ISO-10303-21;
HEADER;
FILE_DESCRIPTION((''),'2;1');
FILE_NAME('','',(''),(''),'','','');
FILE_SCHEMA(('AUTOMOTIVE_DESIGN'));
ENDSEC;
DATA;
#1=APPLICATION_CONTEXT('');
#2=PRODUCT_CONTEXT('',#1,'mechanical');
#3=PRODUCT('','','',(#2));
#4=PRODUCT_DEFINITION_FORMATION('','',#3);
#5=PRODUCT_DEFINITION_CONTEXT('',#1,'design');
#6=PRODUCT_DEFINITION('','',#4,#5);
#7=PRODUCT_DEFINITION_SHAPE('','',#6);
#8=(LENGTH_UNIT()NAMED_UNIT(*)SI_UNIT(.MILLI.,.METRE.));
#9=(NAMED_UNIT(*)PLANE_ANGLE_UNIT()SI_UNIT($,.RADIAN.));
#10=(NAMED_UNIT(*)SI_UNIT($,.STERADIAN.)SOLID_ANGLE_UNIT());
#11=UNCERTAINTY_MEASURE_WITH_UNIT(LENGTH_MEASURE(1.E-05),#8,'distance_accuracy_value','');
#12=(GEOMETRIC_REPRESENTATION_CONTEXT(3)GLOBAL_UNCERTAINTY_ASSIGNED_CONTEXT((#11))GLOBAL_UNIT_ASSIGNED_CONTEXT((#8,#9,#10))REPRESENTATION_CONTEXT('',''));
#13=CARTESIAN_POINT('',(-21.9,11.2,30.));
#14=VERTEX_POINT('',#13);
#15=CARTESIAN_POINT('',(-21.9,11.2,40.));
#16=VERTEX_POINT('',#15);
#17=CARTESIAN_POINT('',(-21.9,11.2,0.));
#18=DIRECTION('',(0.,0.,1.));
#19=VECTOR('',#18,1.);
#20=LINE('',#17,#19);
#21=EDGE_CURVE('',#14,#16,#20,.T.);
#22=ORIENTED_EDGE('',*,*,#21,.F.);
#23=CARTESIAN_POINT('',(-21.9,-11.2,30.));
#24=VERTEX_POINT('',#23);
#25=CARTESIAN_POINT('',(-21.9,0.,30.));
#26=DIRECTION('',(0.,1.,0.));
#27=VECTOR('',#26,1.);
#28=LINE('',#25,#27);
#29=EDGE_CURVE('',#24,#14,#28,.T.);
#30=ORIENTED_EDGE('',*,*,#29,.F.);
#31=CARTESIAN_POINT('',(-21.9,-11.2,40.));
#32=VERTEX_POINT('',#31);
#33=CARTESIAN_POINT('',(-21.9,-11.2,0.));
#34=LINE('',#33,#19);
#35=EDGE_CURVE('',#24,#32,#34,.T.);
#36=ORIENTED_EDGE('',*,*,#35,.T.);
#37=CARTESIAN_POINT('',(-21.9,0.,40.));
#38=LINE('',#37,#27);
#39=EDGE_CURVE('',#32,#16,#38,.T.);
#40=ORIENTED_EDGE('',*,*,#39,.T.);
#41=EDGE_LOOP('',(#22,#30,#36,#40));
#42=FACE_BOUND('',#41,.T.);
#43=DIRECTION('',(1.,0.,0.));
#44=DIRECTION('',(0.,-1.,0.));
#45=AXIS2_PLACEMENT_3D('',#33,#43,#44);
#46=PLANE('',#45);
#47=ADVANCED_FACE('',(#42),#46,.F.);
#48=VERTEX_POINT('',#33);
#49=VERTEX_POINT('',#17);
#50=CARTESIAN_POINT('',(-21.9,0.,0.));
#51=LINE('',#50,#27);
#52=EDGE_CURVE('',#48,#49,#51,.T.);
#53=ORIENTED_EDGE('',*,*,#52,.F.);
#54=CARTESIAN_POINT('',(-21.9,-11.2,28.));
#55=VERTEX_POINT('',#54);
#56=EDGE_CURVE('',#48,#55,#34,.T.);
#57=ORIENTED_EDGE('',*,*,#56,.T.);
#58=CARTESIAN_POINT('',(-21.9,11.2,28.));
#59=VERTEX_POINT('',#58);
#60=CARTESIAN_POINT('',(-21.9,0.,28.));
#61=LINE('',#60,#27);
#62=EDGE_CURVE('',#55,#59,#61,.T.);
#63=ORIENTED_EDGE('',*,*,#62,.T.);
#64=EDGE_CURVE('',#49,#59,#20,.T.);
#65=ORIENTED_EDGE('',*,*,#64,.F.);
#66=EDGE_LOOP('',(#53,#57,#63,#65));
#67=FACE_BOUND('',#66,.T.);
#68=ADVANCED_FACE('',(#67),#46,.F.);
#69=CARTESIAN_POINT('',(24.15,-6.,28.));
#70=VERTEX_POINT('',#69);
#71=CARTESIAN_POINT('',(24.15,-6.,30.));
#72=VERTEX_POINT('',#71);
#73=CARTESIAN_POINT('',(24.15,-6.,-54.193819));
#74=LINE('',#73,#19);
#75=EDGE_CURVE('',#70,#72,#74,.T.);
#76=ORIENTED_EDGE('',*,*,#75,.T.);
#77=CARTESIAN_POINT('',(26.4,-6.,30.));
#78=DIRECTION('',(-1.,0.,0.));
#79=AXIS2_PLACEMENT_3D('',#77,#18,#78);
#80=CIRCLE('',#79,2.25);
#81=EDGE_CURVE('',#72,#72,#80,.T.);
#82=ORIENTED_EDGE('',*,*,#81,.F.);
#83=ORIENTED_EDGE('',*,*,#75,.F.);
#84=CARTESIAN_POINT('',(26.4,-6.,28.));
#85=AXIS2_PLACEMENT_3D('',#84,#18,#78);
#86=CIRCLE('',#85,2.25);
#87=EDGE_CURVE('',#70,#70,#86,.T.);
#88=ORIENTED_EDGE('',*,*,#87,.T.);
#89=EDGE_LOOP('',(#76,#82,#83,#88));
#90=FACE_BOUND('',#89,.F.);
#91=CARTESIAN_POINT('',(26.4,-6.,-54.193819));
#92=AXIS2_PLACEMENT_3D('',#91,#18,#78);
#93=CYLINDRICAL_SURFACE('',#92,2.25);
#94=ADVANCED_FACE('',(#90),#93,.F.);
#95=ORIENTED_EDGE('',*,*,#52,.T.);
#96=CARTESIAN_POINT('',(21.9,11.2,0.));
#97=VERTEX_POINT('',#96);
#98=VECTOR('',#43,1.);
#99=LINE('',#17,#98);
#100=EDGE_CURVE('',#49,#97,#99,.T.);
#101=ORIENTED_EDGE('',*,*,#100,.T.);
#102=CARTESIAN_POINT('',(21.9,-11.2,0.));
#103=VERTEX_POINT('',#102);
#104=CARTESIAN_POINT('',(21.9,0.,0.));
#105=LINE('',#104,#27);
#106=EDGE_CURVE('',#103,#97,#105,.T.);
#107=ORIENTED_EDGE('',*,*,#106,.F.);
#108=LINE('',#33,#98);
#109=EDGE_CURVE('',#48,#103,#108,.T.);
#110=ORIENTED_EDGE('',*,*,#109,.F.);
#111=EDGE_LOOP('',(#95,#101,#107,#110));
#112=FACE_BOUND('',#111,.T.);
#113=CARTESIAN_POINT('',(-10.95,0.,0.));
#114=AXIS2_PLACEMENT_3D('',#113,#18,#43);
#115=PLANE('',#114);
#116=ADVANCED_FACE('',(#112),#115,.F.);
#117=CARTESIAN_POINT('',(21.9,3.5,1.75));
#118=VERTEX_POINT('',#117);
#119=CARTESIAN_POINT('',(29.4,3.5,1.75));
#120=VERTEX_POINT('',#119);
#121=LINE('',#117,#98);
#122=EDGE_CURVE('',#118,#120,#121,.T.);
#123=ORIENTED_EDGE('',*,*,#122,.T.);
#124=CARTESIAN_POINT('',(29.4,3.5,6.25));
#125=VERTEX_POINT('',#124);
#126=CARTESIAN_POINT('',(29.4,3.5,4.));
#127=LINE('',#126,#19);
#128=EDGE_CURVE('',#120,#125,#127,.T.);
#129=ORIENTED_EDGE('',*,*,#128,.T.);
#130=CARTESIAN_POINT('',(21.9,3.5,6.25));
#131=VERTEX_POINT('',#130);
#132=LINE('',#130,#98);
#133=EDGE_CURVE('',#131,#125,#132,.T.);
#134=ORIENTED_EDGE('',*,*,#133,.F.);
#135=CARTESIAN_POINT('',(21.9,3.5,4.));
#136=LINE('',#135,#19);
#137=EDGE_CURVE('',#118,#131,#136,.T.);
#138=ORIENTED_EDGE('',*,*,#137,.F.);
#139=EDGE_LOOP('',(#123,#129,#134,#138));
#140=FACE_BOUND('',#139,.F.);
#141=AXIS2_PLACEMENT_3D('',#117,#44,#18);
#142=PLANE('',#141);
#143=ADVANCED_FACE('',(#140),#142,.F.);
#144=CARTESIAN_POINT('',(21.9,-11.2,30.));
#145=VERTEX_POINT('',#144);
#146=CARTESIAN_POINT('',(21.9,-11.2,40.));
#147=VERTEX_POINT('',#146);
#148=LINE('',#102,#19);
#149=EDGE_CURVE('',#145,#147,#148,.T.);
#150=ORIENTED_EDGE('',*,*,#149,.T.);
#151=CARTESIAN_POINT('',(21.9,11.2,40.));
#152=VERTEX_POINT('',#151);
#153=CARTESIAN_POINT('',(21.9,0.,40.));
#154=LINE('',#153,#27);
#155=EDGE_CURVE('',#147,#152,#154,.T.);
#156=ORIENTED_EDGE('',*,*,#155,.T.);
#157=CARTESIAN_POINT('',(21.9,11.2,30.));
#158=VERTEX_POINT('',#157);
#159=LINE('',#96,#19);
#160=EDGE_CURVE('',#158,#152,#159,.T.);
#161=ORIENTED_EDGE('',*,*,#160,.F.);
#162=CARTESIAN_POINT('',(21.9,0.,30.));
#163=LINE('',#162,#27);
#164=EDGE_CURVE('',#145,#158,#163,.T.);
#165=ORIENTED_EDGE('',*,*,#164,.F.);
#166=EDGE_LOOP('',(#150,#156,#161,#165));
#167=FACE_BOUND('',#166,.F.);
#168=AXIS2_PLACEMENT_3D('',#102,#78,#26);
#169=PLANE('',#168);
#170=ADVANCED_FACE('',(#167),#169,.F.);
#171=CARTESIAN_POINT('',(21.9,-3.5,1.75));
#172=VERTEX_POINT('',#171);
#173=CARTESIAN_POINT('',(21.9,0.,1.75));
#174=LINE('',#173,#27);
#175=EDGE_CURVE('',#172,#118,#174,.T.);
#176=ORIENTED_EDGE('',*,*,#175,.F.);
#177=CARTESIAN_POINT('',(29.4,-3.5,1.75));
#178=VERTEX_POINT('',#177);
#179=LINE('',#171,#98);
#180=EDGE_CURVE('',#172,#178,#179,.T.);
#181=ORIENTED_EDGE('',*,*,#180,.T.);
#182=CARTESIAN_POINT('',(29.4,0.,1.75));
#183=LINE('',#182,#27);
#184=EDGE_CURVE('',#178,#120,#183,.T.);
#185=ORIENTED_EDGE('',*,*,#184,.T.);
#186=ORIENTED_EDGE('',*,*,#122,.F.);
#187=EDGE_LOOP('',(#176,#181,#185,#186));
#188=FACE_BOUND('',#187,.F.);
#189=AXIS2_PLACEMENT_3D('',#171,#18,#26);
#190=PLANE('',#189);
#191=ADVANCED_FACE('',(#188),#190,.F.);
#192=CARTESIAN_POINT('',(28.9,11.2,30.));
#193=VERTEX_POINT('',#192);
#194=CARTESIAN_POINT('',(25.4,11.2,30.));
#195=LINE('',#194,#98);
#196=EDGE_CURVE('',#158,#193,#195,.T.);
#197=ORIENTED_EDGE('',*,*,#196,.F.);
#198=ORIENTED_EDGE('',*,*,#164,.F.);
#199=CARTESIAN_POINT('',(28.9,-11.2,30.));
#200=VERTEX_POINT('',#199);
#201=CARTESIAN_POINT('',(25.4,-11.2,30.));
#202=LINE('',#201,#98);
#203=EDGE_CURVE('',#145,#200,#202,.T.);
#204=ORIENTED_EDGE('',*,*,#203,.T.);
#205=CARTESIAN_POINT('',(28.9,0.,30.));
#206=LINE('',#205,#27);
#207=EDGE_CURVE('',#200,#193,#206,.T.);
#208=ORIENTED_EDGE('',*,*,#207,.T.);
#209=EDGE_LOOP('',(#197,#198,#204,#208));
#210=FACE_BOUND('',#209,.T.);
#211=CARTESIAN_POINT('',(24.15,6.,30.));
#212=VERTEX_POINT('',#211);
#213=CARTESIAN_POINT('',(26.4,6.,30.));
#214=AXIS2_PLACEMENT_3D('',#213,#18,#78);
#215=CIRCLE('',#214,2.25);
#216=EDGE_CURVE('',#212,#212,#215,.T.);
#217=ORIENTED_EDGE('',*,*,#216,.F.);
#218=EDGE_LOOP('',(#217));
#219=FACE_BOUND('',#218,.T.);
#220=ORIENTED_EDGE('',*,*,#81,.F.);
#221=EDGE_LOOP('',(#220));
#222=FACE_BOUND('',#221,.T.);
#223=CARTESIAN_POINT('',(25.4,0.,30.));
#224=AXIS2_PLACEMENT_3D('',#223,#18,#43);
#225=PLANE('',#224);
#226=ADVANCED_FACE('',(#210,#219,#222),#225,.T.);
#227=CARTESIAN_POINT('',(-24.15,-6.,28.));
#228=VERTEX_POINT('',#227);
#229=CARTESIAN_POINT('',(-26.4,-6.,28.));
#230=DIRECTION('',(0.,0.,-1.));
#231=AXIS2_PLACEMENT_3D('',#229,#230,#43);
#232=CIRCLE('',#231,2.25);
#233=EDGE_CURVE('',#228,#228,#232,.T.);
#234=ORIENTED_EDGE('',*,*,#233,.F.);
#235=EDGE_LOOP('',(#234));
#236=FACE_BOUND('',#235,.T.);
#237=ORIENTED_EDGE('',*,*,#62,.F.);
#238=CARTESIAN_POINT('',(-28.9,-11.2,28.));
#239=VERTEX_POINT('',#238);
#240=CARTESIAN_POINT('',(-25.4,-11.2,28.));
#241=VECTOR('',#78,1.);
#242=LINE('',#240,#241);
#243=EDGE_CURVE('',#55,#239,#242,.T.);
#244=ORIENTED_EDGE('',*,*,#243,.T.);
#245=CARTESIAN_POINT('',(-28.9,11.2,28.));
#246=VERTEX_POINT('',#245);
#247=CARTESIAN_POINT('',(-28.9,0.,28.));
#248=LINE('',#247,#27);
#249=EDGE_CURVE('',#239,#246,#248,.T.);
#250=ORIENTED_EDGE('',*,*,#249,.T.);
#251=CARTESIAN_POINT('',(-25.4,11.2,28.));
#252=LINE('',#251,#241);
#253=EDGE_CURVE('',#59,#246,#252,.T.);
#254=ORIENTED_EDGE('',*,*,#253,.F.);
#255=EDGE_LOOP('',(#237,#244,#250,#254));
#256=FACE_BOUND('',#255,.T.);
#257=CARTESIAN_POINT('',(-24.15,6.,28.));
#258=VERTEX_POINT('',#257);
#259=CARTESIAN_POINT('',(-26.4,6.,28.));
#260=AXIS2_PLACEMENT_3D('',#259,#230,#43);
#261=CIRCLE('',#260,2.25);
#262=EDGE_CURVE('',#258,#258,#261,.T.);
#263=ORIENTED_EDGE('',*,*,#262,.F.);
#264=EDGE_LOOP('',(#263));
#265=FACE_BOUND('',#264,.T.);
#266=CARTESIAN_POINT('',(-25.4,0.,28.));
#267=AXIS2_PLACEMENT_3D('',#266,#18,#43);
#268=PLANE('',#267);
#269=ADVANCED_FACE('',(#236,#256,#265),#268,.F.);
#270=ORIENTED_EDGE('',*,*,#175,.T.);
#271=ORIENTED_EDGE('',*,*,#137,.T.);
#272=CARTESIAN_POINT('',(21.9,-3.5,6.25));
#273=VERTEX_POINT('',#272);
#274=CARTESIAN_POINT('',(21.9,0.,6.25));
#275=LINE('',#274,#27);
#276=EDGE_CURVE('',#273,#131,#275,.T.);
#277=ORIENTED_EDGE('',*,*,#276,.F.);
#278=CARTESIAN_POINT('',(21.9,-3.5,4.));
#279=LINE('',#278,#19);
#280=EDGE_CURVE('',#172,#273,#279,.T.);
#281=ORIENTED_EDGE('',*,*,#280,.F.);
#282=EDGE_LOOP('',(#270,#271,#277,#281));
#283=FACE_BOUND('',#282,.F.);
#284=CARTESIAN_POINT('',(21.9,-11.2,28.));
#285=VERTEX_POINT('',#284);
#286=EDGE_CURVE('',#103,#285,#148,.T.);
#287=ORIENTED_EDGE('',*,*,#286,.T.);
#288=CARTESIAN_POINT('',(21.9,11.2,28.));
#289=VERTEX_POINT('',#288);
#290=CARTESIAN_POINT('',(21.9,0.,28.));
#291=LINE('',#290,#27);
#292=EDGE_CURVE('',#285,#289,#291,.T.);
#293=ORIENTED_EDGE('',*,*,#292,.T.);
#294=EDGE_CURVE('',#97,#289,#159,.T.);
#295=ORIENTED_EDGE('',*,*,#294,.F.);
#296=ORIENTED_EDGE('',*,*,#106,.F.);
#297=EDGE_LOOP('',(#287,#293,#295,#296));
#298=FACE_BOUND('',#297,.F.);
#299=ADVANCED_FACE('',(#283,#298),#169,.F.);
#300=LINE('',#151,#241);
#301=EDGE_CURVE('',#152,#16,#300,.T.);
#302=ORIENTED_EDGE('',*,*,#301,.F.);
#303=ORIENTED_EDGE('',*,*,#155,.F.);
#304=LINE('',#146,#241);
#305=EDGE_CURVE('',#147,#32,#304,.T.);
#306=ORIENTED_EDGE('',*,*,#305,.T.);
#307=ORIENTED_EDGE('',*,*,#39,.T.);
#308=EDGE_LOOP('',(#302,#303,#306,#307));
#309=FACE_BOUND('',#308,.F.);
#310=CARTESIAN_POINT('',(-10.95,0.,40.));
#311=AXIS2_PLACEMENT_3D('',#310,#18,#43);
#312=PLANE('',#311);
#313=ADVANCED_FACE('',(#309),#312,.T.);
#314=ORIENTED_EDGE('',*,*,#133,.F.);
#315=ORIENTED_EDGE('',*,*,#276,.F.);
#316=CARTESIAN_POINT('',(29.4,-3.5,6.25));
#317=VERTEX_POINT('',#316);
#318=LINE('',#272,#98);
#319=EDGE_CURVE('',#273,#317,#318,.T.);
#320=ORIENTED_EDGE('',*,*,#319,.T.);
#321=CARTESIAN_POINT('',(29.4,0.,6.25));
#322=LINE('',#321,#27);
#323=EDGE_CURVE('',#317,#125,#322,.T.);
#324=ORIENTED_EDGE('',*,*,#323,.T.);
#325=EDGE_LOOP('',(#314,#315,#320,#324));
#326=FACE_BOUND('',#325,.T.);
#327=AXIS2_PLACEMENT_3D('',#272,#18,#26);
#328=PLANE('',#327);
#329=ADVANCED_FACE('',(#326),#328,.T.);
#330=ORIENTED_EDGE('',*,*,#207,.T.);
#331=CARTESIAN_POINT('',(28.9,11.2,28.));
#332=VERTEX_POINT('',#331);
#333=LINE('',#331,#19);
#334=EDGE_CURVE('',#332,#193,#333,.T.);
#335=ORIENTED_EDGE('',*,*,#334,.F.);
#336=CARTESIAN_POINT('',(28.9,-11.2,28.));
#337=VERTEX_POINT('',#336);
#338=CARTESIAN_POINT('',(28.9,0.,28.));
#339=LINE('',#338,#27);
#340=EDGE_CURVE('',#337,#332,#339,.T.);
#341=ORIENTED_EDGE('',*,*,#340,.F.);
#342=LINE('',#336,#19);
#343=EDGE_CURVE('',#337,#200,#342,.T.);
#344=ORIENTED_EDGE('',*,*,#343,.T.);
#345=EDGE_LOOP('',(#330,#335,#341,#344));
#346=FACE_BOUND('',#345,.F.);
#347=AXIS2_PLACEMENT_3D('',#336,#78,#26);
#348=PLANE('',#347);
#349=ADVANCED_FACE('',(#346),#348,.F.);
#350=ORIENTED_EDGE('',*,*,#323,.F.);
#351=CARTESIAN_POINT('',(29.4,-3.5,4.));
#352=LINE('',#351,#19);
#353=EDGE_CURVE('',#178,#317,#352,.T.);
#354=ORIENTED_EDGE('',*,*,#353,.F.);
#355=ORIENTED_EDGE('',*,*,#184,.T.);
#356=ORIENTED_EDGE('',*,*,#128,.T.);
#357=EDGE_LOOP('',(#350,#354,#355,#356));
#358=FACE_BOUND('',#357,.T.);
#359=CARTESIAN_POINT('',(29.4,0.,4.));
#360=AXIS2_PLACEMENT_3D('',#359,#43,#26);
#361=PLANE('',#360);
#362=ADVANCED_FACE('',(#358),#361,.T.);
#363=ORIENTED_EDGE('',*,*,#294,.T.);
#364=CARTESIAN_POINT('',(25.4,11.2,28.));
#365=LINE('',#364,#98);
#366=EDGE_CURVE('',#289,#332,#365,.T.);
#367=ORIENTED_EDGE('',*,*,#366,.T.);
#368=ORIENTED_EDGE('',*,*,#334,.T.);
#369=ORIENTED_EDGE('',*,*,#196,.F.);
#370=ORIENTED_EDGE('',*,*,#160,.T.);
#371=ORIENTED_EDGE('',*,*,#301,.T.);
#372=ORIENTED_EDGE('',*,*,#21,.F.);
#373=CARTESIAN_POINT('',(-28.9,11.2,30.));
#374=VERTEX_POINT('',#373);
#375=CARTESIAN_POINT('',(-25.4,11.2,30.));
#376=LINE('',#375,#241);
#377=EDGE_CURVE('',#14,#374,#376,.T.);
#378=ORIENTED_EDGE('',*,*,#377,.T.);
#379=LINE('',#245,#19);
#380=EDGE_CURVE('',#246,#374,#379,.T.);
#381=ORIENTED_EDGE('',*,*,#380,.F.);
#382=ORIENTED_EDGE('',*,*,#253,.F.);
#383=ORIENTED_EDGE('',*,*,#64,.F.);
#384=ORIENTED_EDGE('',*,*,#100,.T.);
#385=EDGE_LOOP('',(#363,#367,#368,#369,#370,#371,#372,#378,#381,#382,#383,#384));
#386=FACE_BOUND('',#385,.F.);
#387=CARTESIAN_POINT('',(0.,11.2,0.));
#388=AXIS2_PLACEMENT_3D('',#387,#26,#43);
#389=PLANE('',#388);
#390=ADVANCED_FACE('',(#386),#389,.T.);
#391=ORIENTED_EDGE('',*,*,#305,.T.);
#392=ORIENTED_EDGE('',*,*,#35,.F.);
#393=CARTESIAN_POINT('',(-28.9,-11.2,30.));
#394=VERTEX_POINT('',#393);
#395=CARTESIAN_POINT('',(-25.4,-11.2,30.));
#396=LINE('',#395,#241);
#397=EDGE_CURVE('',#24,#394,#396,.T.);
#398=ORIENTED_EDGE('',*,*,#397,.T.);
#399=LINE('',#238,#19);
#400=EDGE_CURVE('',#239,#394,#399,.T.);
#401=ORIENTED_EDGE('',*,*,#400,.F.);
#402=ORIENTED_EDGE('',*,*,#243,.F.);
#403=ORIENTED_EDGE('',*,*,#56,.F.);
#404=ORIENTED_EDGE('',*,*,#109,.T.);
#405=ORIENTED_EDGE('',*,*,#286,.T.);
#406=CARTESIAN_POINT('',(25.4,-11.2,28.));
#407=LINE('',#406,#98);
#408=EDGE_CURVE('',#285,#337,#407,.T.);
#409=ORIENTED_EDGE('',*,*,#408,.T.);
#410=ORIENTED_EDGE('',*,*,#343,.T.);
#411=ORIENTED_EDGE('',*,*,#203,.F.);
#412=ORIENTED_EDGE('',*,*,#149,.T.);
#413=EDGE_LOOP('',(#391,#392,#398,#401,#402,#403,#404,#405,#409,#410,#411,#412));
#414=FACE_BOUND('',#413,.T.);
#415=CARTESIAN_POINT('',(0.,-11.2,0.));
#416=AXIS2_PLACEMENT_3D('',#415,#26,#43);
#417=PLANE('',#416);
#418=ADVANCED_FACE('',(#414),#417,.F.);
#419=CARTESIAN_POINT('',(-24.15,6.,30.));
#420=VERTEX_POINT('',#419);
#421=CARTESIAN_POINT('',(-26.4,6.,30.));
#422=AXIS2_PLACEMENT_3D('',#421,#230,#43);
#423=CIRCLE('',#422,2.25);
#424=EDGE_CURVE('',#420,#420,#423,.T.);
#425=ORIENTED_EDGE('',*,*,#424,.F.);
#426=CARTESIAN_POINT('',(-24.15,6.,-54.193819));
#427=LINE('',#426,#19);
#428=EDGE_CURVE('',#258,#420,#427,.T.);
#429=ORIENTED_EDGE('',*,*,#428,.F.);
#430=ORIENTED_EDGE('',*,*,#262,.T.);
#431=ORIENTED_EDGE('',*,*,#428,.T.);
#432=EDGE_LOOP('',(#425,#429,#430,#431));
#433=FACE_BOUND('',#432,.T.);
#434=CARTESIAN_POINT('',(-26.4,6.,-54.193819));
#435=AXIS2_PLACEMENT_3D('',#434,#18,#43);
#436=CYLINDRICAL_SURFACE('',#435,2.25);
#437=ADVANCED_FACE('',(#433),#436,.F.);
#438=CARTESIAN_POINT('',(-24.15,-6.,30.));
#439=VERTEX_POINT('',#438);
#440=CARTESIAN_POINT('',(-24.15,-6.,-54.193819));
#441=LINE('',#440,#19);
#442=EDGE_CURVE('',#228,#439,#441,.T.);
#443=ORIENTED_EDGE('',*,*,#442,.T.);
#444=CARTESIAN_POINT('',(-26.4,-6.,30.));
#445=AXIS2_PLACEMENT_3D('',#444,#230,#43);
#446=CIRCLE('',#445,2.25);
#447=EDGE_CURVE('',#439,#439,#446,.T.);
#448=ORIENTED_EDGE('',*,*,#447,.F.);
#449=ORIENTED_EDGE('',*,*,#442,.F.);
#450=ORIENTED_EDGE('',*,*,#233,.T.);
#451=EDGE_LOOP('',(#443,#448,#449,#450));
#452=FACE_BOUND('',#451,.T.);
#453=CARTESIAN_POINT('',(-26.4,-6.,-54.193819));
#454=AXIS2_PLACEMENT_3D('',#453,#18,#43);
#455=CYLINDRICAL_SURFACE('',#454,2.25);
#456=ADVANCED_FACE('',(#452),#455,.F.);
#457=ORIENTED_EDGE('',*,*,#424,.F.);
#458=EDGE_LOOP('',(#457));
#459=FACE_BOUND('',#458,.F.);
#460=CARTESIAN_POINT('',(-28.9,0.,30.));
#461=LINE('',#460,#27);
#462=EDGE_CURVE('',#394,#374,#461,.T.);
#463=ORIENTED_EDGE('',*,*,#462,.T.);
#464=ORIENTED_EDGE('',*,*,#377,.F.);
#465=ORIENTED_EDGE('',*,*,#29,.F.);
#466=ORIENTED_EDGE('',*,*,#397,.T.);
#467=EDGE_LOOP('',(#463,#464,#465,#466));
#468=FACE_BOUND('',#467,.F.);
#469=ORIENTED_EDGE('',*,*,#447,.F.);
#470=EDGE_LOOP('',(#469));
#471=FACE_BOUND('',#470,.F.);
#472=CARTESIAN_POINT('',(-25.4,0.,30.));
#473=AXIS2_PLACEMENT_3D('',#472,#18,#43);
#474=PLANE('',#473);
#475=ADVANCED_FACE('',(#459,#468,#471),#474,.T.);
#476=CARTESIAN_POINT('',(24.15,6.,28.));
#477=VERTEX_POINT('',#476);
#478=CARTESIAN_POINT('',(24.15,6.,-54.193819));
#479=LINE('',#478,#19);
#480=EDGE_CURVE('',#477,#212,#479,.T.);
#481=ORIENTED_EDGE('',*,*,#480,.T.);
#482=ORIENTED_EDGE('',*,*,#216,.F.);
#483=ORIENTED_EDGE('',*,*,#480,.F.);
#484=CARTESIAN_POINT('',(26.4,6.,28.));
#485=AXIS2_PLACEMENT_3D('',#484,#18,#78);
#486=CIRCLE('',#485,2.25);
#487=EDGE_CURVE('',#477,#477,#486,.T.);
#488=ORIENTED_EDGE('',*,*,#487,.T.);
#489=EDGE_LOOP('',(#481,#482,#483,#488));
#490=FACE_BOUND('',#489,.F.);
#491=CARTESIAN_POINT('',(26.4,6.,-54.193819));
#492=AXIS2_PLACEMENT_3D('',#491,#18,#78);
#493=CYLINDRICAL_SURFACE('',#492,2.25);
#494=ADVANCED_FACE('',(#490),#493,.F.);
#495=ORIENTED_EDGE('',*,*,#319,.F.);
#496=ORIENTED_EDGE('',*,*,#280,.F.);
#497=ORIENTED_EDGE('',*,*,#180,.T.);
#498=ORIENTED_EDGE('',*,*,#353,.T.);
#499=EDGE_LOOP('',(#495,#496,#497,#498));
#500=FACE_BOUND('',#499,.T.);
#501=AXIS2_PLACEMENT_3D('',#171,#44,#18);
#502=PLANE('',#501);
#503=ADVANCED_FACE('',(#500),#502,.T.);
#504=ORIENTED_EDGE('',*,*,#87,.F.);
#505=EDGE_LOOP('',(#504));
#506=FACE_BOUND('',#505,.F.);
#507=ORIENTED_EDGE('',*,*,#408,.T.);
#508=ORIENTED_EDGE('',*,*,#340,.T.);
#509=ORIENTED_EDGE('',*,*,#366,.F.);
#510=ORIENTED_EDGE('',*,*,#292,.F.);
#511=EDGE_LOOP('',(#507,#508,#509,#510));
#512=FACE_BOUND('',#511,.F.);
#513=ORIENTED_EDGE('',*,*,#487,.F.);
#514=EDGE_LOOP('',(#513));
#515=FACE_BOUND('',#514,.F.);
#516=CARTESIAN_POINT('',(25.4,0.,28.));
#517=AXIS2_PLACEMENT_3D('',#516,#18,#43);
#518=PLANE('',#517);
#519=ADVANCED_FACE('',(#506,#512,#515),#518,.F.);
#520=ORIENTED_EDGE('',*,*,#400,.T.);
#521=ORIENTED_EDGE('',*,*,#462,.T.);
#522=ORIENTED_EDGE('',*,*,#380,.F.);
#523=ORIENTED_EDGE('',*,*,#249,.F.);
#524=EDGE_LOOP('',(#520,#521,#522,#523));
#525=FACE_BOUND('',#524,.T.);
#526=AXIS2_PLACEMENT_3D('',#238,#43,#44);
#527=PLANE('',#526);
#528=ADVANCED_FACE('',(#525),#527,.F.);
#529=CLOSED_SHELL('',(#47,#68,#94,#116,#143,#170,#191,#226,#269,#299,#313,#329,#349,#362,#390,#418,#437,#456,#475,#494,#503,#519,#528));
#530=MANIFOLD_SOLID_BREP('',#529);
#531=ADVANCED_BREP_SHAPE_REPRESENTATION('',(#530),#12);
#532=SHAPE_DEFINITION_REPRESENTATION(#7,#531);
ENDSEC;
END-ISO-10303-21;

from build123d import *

# Parameters (mm, degrees)
F0_W     = 21.9
F0_H     = 22.4
F1_DEPTH = 40
F2_START = 28
F0_W_2   = 7
F2_DEPTH = 2
F3_D     = 4.5
F5_W     = 7
F5_H     = 4.5
F6_DEPTH = 7.5


with BuildPart() as f1:
    # F0 (on Top) → F1 (new body)
    with BuildSketch(Plane.XY):
        with Locations((10.95, 0)):
            Rectangle(F0_W, F0_H)
    extrude(amount=F1_DEPTH)

    # F0 (on Top) → F2 (join)
    with BuildSketch(Plane.XY.offset(F2_START)):
        with Locations((25.4, 0)):
            Rectangle(F0_W_2, F0_H)
    extrude(amount=F2_DEPTH)

    # F3 (through all)
    with Locations(Plane(origin=(0, 0, 0), x_dir=(1, 0, 0), z_dir=(0, 0, -1))):
        with Locations((26.4, 6), (26.4, -6)):
            Hole(F3_D / 2)

    # F4: F1 across face


with BuildPart() as f1_1:
    add(f1.part)
    add(f1.part.mirror(Plane(origin=(0, 0, 20), x_dir=(0, -1, 0), z_dir=(-1, 0, 0))))

    # F5 (on face) → F6 (join)
    with BuildSketch(Plane.YZ.offset(21.9)):
        with Locations((0, 4)):
            Rectangle(F5_W, F5_H)
    extrude(amount=F6_DEPTH)


solid = f1_1.part
